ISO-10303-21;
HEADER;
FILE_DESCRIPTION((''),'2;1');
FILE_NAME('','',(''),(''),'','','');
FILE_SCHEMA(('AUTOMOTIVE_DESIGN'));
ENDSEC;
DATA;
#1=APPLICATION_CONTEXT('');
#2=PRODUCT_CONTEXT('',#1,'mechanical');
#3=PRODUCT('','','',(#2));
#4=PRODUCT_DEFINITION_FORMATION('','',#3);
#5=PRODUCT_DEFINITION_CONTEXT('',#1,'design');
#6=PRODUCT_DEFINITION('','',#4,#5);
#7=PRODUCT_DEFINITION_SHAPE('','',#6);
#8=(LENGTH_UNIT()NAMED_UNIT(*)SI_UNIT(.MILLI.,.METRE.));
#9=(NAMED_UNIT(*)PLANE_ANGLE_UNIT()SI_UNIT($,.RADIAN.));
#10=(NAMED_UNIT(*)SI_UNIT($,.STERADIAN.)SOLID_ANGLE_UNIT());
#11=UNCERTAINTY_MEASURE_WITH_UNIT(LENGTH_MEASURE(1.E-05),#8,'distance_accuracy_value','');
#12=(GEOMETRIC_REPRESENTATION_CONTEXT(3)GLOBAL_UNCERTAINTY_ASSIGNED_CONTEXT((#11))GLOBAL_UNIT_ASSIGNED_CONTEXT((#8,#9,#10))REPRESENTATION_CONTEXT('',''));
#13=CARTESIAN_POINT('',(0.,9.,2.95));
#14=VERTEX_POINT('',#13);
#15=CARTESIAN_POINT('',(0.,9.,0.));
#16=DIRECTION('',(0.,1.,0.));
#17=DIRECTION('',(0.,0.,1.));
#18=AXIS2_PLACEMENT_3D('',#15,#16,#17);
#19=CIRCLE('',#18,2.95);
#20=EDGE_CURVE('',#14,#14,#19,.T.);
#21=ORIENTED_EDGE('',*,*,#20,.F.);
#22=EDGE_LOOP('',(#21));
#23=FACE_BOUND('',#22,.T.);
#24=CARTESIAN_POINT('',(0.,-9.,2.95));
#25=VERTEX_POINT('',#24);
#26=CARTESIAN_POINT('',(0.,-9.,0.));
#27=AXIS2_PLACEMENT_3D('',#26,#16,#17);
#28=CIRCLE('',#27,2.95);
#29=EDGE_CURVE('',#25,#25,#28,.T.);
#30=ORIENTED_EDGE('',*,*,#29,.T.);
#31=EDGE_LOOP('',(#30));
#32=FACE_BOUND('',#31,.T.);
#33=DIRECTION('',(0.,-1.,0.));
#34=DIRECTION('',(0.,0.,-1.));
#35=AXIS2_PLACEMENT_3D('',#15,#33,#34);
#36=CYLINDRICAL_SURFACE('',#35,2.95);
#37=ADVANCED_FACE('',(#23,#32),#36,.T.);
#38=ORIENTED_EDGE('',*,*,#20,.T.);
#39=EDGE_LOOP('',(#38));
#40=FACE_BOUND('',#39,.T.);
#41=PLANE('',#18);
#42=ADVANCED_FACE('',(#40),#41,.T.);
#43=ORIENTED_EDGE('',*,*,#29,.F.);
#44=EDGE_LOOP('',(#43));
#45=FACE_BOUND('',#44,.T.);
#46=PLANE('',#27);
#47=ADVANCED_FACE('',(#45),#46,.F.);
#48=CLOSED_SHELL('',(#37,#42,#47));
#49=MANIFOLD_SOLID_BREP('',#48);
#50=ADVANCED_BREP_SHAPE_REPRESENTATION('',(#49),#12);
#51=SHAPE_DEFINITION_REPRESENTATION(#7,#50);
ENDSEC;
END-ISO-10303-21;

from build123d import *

# Parameters (mm, degrees)
ESQUISSE1_R        = 2.95
BOSS_EXTRU_1_DEPTH = 9


with BuildPart() as part:
    # Esquisse1 → Boss.-Extru.1 (new, symmetric)
    with BuildSketch(Plane(origin=(0, 0, 0), x_dir=(1, 0, 0), z_dir=(0, 1, 0))):
        with Locations(Location((0, 0, 0), (0, 0, 270))):
            Circle(ESQUISSE1_R)
    extrude(amount=BOSS_EXTRU_1_DEPTH, both=True)


solid = part.part
